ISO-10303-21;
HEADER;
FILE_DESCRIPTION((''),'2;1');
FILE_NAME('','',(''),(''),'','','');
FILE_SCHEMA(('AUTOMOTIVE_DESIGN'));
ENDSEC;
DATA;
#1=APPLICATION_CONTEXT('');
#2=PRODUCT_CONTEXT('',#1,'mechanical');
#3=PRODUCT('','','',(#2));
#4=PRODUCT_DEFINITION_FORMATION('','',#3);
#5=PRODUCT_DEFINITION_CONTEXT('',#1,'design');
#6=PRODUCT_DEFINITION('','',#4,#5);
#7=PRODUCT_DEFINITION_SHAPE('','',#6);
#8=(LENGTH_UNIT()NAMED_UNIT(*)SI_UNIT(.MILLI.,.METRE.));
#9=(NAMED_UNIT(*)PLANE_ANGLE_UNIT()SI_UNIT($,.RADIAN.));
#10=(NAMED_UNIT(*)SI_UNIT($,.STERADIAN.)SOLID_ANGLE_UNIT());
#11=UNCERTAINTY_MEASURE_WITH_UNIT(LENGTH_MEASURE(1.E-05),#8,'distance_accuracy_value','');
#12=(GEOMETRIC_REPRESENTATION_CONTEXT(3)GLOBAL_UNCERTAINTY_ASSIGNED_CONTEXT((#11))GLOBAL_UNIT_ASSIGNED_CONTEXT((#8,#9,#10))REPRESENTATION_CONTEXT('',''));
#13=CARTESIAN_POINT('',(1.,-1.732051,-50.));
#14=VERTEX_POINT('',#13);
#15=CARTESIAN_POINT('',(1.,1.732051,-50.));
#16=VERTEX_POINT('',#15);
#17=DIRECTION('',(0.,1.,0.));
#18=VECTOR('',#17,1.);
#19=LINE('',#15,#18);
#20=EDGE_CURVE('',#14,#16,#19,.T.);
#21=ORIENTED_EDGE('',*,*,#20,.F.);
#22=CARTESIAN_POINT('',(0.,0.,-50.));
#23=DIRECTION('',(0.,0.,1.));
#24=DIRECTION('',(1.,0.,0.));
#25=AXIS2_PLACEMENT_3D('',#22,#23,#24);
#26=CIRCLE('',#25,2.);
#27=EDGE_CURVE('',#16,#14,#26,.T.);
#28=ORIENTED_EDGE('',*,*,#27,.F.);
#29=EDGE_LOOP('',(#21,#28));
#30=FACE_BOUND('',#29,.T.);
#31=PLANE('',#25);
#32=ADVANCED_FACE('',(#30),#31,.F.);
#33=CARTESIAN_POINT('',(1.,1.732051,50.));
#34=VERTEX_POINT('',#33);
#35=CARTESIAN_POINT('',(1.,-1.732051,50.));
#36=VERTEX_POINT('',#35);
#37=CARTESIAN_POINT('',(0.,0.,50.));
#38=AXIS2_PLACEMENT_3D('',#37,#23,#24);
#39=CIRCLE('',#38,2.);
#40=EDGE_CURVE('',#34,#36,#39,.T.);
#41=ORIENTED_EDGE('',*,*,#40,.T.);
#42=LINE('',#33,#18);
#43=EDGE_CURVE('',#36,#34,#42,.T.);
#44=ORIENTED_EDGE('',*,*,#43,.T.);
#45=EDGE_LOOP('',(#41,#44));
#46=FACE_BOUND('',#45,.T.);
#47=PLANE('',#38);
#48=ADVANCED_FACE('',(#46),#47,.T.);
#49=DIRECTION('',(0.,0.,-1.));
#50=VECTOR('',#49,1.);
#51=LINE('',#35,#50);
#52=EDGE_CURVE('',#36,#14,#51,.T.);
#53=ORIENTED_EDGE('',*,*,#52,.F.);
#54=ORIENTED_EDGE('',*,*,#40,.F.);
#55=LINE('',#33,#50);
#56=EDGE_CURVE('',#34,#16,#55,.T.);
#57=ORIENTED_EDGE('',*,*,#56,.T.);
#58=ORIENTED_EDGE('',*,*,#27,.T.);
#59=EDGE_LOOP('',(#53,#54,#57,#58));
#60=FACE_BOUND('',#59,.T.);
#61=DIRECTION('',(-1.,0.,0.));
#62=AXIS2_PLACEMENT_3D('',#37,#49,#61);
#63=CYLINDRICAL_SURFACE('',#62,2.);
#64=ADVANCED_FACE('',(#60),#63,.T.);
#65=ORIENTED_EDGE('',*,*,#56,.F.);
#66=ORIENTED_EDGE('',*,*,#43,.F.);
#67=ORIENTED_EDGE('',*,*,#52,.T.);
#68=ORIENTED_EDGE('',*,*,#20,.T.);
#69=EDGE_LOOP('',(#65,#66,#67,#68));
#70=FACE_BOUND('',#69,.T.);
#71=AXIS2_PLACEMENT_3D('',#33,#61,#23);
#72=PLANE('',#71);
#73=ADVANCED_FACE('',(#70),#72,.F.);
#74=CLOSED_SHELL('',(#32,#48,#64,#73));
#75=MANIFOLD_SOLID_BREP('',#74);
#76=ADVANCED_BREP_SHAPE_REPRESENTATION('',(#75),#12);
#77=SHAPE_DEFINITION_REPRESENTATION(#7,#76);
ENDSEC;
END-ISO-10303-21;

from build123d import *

# Parameters (mm, degrees)
EXTRUDE_1_DEPTH = 50


with BuildPart() as part:
    # 草图1 → 凸台-拉伸1 (new, symmetric)
    with BuildSketch(Plane.XY):
        with BuildLine():
            Line((1, 1.732050808), (1, -1.732050808))
            ThreePointArc((1, -1.732050808), (-2, 0), (1, 1.732050808))
        make_face()
    extrude(amount=EXTRUDE_1_DEPTH, both=True)


solid = part.part
